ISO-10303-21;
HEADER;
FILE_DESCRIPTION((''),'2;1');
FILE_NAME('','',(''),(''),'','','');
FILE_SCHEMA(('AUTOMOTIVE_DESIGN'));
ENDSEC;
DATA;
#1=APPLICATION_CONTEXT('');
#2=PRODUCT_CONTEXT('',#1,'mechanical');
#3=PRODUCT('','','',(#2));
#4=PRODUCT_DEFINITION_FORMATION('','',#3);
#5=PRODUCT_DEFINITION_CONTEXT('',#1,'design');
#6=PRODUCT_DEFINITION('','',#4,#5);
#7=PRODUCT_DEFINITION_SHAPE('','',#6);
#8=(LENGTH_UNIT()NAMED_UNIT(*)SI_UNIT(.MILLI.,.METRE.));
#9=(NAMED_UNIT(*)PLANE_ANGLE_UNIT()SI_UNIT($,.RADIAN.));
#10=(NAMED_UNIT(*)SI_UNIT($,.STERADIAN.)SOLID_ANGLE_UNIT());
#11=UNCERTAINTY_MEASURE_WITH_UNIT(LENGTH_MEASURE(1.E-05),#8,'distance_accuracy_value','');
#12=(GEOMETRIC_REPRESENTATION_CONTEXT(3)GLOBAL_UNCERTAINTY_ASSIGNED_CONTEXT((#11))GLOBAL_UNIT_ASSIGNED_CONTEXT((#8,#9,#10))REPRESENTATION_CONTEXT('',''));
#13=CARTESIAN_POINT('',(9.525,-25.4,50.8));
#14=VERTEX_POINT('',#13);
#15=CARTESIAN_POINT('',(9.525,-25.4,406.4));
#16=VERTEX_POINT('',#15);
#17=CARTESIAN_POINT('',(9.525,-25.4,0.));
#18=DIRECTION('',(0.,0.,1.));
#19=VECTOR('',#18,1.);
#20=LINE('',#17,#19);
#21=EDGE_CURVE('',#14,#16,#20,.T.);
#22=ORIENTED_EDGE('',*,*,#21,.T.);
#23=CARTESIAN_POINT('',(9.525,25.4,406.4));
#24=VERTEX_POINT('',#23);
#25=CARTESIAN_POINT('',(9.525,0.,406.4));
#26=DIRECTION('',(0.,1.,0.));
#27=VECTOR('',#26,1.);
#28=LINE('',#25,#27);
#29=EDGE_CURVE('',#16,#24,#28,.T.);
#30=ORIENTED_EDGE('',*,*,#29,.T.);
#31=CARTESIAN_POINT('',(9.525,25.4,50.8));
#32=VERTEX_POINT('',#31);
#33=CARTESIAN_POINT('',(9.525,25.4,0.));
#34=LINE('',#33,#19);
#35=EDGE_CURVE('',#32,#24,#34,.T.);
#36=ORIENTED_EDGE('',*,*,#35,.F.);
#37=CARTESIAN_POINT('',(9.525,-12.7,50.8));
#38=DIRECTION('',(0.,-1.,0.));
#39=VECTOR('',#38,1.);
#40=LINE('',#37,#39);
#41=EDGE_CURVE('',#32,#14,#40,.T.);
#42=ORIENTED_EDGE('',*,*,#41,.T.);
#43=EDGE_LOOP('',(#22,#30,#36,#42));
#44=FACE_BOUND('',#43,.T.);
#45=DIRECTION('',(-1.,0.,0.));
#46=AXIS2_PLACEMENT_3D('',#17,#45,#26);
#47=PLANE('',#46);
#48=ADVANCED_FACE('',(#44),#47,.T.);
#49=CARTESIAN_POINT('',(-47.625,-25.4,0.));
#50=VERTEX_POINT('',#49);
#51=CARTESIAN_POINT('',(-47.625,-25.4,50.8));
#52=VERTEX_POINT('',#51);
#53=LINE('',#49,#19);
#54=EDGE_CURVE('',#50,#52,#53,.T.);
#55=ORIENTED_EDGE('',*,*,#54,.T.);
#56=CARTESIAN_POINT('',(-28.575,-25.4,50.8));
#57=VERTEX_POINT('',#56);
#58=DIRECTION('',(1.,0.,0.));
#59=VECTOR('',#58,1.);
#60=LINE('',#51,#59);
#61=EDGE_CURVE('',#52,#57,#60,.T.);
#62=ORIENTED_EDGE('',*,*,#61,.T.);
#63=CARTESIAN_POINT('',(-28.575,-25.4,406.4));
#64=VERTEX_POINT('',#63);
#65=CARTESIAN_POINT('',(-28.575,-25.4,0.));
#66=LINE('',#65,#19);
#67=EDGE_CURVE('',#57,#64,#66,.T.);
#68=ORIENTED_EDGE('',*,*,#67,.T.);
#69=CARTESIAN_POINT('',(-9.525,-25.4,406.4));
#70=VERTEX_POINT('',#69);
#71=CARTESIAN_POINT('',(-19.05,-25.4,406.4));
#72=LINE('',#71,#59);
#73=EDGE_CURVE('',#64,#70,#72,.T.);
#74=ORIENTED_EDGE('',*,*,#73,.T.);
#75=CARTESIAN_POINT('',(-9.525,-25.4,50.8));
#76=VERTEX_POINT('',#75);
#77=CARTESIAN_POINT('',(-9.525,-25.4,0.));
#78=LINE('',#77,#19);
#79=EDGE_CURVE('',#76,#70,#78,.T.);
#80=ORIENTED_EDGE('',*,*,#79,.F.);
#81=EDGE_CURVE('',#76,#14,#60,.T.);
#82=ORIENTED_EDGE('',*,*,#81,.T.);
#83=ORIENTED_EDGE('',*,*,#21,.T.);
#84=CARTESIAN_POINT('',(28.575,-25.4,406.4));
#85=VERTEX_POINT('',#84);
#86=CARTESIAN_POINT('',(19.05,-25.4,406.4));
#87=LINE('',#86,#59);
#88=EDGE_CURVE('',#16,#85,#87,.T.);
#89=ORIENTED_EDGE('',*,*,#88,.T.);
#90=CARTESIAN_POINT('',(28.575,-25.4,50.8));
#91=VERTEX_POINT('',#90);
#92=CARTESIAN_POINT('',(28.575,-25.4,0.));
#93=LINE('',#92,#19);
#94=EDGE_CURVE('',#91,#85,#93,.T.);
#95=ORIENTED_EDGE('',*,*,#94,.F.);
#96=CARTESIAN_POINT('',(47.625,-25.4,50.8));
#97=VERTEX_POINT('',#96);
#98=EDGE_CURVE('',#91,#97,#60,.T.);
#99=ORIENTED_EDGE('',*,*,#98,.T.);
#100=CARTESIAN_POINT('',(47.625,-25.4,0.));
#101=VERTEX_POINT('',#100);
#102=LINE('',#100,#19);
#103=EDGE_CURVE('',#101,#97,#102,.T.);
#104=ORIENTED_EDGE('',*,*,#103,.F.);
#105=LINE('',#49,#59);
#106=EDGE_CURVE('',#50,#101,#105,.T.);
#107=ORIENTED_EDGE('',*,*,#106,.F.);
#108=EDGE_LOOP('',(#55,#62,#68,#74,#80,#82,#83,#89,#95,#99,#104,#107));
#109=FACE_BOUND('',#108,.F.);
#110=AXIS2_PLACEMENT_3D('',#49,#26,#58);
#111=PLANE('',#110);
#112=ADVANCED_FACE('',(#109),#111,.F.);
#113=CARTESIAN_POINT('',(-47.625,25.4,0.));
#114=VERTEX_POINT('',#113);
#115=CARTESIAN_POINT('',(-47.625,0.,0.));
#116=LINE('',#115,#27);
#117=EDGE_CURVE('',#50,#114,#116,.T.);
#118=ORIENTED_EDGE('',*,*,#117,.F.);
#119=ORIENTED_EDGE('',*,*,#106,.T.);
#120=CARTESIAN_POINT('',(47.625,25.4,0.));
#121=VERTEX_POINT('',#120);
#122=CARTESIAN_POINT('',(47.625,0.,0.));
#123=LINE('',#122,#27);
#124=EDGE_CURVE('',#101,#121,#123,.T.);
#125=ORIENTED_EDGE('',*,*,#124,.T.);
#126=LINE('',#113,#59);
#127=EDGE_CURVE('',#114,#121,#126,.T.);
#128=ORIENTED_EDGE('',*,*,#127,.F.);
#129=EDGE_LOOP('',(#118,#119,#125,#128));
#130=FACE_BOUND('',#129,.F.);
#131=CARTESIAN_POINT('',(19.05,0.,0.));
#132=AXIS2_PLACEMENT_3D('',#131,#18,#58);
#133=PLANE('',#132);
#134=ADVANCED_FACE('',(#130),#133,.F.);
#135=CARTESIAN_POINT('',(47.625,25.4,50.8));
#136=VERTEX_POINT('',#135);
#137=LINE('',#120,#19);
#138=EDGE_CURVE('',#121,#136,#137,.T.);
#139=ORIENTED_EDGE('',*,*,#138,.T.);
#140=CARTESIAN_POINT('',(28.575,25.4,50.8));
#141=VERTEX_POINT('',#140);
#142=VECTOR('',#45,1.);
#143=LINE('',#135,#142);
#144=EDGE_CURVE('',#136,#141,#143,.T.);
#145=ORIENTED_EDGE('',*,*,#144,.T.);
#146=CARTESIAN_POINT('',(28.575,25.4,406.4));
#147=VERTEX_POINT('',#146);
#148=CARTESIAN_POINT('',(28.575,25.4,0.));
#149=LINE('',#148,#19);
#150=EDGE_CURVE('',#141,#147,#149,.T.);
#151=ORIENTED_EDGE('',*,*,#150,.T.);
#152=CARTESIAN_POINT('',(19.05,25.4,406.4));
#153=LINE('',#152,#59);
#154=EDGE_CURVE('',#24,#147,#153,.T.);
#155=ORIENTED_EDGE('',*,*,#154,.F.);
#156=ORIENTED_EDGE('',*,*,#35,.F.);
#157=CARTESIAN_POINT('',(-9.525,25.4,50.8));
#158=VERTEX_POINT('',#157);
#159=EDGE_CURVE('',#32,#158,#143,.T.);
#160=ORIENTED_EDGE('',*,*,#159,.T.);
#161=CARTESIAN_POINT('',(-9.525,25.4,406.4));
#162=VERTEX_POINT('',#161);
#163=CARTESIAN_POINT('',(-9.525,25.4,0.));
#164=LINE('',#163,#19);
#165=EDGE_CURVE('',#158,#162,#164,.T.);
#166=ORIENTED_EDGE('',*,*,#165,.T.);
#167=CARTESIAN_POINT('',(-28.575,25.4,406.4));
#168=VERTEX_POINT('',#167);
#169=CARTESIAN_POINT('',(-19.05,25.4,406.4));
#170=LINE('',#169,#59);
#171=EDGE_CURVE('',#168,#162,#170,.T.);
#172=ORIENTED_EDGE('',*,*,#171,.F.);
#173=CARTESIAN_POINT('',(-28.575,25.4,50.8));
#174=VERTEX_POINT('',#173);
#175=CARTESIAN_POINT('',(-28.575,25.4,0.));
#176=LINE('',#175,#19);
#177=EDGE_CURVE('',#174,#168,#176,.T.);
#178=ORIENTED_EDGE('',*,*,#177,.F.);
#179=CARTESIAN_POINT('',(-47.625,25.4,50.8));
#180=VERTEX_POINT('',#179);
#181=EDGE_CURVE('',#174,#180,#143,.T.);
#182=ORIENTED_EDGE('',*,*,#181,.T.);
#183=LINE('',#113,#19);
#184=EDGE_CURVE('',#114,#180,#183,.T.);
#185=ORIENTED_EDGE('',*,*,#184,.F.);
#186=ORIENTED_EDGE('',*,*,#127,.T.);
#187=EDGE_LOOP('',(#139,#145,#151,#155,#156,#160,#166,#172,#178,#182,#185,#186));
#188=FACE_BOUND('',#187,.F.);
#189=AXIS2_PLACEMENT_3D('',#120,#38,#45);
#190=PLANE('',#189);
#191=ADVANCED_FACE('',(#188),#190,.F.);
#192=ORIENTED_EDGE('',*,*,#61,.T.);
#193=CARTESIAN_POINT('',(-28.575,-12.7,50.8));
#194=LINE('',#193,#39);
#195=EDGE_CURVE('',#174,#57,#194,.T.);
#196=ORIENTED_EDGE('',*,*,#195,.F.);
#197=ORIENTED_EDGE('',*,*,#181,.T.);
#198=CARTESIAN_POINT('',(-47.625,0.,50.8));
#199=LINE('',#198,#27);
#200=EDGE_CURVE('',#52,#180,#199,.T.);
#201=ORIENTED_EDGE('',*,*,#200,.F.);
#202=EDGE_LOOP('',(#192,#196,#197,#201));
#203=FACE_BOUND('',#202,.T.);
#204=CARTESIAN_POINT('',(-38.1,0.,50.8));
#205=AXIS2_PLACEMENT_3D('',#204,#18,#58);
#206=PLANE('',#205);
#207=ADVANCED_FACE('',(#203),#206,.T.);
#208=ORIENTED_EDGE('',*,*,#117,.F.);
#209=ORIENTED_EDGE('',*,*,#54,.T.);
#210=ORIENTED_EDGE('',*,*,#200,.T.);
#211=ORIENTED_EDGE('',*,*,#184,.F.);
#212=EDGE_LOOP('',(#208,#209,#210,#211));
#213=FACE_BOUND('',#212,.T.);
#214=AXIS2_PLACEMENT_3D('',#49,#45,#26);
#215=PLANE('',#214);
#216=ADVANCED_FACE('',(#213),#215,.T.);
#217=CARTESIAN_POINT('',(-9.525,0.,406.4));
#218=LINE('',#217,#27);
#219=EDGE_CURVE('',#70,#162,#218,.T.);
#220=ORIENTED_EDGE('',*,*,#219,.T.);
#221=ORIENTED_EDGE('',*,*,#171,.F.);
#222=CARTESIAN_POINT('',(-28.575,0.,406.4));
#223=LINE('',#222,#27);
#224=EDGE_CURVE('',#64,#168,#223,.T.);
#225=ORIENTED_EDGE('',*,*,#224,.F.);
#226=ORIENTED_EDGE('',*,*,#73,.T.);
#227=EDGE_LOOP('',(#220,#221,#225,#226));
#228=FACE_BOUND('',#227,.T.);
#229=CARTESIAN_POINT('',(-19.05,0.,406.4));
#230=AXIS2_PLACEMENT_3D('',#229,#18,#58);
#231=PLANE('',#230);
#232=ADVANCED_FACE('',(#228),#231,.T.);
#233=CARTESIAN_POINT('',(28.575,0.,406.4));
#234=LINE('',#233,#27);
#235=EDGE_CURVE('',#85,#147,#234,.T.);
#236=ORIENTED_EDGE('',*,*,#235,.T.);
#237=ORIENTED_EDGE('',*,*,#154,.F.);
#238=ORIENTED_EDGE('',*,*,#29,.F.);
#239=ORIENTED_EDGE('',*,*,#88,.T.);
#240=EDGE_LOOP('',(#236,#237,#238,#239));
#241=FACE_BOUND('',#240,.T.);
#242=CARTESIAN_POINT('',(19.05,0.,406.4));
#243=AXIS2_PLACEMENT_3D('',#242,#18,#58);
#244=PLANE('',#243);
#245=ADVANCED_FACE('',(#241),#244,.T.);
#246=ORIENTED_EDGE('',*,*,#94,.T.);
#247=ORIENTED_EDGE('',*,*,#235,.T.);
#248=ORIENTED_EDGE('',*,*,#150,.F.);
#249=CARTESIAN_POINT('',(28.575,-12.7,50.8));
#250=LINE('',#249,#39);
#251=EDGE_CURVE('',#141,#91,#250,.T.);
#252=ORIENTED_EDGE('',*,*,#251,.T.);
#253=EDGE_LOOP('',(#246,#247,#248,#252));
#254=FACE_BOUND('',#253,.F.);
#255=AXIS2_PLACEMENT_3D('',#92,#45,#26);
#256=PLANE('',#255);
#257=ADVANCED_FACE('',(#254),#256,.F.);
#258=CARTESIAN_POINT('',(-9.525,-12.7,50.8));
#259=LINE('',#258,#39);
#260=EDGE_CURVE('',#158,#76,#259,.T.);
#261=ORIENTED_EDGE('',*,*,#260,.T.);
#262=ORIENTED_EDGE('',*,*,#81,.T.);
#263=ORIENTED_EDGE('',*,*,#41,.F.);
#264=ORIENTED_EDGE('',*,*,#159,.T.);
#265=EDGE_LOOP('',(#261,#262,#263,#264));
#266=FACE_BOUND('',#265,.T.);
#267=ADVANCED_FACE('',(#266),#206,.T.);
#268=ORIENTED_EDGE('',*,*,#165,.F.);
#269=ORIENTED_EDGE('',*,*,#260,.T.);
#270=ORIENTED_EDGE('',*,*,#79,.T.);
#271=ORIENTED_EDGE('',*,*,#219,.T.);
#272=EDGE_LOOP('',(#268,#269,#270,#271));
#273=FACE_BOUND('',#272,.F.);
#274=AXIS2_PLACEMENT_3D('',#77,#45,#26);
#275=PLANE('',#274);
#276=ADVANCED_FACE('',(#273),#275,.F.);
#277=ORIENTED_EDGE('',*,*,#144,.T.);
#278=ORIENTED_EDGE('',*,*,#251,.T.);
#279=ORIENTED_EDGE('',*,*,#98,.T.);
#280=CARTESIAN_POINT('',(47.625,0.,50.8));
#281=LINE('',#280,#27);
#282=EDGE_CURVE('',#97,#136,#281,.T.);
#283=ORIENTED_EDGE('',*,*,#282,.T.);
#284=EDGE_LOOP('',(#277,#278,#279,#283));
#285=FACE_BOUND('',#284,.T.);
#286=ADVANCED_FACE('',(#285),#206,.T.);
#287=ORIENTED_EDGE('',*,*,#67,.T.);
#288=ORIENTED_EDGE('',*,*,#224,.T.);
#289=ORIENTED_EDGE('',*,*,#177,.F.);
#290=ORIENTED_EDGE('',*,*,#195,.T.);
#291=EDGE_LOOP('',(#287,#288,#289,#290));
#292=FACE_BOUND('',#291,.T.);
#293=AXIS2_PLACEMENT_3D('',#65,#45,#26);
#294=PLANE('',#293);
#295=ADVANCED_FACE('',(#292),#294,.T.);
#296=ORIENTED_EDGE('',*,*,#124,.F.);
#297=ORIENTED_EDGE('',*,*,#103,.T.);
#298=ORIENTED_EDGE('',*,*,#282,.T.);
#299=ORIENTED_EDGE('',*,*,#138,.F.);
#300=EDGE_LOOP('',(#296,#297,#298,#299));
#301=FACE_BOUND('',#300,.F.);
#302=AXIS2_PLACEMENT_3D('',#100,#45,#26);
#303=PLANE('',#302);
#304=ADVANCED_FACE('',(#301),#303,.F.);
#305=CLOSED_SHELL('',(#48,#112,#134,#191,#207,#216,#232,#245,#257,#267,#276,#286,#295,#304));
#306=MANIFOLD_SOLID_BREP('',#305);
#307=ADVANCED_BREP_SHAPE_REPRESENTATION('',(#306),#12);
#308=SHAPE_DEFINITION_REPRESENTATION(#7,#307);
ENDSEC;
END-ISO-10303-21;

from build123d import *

# Parameters (mm, degrees)
F0_W     = 19.05
F0_H     = 50.8
F1_DEPTH = 50.8
F2_DEPTH = 406.4


with BuildPart() as f1:
    # F0 (on Top) → F1 (new body)
    with BuildSketch(Plane.XY):
        with Locations((-38.1, 0)):
            Rectangle(F0_W, F0_H)
        Rectangle(F0_W, F0_H)
        with Locations((19.05, 0)):
            Rectangle(F0_W, F0_H)
        with Locations((38.1, 0)):
            Rectangle(F0_W, F0_H)
        with Locations((-19.05, 0)):
            Rectangle(F0_W, F0_H)
    extrude(amount=F1_DEPTH)

    # F0 (on Top) → F2 (join)
    with BuildSketch(Plane.XY):
        with Locations((19.05, 0)):
            Rectangle(F0_W, F0_H)
        with Locations((-19.05, 0)):
            Rectangle(F0_W, F0_H)
    extrude(amount=F2_DEPTH)


solid = f1.part
